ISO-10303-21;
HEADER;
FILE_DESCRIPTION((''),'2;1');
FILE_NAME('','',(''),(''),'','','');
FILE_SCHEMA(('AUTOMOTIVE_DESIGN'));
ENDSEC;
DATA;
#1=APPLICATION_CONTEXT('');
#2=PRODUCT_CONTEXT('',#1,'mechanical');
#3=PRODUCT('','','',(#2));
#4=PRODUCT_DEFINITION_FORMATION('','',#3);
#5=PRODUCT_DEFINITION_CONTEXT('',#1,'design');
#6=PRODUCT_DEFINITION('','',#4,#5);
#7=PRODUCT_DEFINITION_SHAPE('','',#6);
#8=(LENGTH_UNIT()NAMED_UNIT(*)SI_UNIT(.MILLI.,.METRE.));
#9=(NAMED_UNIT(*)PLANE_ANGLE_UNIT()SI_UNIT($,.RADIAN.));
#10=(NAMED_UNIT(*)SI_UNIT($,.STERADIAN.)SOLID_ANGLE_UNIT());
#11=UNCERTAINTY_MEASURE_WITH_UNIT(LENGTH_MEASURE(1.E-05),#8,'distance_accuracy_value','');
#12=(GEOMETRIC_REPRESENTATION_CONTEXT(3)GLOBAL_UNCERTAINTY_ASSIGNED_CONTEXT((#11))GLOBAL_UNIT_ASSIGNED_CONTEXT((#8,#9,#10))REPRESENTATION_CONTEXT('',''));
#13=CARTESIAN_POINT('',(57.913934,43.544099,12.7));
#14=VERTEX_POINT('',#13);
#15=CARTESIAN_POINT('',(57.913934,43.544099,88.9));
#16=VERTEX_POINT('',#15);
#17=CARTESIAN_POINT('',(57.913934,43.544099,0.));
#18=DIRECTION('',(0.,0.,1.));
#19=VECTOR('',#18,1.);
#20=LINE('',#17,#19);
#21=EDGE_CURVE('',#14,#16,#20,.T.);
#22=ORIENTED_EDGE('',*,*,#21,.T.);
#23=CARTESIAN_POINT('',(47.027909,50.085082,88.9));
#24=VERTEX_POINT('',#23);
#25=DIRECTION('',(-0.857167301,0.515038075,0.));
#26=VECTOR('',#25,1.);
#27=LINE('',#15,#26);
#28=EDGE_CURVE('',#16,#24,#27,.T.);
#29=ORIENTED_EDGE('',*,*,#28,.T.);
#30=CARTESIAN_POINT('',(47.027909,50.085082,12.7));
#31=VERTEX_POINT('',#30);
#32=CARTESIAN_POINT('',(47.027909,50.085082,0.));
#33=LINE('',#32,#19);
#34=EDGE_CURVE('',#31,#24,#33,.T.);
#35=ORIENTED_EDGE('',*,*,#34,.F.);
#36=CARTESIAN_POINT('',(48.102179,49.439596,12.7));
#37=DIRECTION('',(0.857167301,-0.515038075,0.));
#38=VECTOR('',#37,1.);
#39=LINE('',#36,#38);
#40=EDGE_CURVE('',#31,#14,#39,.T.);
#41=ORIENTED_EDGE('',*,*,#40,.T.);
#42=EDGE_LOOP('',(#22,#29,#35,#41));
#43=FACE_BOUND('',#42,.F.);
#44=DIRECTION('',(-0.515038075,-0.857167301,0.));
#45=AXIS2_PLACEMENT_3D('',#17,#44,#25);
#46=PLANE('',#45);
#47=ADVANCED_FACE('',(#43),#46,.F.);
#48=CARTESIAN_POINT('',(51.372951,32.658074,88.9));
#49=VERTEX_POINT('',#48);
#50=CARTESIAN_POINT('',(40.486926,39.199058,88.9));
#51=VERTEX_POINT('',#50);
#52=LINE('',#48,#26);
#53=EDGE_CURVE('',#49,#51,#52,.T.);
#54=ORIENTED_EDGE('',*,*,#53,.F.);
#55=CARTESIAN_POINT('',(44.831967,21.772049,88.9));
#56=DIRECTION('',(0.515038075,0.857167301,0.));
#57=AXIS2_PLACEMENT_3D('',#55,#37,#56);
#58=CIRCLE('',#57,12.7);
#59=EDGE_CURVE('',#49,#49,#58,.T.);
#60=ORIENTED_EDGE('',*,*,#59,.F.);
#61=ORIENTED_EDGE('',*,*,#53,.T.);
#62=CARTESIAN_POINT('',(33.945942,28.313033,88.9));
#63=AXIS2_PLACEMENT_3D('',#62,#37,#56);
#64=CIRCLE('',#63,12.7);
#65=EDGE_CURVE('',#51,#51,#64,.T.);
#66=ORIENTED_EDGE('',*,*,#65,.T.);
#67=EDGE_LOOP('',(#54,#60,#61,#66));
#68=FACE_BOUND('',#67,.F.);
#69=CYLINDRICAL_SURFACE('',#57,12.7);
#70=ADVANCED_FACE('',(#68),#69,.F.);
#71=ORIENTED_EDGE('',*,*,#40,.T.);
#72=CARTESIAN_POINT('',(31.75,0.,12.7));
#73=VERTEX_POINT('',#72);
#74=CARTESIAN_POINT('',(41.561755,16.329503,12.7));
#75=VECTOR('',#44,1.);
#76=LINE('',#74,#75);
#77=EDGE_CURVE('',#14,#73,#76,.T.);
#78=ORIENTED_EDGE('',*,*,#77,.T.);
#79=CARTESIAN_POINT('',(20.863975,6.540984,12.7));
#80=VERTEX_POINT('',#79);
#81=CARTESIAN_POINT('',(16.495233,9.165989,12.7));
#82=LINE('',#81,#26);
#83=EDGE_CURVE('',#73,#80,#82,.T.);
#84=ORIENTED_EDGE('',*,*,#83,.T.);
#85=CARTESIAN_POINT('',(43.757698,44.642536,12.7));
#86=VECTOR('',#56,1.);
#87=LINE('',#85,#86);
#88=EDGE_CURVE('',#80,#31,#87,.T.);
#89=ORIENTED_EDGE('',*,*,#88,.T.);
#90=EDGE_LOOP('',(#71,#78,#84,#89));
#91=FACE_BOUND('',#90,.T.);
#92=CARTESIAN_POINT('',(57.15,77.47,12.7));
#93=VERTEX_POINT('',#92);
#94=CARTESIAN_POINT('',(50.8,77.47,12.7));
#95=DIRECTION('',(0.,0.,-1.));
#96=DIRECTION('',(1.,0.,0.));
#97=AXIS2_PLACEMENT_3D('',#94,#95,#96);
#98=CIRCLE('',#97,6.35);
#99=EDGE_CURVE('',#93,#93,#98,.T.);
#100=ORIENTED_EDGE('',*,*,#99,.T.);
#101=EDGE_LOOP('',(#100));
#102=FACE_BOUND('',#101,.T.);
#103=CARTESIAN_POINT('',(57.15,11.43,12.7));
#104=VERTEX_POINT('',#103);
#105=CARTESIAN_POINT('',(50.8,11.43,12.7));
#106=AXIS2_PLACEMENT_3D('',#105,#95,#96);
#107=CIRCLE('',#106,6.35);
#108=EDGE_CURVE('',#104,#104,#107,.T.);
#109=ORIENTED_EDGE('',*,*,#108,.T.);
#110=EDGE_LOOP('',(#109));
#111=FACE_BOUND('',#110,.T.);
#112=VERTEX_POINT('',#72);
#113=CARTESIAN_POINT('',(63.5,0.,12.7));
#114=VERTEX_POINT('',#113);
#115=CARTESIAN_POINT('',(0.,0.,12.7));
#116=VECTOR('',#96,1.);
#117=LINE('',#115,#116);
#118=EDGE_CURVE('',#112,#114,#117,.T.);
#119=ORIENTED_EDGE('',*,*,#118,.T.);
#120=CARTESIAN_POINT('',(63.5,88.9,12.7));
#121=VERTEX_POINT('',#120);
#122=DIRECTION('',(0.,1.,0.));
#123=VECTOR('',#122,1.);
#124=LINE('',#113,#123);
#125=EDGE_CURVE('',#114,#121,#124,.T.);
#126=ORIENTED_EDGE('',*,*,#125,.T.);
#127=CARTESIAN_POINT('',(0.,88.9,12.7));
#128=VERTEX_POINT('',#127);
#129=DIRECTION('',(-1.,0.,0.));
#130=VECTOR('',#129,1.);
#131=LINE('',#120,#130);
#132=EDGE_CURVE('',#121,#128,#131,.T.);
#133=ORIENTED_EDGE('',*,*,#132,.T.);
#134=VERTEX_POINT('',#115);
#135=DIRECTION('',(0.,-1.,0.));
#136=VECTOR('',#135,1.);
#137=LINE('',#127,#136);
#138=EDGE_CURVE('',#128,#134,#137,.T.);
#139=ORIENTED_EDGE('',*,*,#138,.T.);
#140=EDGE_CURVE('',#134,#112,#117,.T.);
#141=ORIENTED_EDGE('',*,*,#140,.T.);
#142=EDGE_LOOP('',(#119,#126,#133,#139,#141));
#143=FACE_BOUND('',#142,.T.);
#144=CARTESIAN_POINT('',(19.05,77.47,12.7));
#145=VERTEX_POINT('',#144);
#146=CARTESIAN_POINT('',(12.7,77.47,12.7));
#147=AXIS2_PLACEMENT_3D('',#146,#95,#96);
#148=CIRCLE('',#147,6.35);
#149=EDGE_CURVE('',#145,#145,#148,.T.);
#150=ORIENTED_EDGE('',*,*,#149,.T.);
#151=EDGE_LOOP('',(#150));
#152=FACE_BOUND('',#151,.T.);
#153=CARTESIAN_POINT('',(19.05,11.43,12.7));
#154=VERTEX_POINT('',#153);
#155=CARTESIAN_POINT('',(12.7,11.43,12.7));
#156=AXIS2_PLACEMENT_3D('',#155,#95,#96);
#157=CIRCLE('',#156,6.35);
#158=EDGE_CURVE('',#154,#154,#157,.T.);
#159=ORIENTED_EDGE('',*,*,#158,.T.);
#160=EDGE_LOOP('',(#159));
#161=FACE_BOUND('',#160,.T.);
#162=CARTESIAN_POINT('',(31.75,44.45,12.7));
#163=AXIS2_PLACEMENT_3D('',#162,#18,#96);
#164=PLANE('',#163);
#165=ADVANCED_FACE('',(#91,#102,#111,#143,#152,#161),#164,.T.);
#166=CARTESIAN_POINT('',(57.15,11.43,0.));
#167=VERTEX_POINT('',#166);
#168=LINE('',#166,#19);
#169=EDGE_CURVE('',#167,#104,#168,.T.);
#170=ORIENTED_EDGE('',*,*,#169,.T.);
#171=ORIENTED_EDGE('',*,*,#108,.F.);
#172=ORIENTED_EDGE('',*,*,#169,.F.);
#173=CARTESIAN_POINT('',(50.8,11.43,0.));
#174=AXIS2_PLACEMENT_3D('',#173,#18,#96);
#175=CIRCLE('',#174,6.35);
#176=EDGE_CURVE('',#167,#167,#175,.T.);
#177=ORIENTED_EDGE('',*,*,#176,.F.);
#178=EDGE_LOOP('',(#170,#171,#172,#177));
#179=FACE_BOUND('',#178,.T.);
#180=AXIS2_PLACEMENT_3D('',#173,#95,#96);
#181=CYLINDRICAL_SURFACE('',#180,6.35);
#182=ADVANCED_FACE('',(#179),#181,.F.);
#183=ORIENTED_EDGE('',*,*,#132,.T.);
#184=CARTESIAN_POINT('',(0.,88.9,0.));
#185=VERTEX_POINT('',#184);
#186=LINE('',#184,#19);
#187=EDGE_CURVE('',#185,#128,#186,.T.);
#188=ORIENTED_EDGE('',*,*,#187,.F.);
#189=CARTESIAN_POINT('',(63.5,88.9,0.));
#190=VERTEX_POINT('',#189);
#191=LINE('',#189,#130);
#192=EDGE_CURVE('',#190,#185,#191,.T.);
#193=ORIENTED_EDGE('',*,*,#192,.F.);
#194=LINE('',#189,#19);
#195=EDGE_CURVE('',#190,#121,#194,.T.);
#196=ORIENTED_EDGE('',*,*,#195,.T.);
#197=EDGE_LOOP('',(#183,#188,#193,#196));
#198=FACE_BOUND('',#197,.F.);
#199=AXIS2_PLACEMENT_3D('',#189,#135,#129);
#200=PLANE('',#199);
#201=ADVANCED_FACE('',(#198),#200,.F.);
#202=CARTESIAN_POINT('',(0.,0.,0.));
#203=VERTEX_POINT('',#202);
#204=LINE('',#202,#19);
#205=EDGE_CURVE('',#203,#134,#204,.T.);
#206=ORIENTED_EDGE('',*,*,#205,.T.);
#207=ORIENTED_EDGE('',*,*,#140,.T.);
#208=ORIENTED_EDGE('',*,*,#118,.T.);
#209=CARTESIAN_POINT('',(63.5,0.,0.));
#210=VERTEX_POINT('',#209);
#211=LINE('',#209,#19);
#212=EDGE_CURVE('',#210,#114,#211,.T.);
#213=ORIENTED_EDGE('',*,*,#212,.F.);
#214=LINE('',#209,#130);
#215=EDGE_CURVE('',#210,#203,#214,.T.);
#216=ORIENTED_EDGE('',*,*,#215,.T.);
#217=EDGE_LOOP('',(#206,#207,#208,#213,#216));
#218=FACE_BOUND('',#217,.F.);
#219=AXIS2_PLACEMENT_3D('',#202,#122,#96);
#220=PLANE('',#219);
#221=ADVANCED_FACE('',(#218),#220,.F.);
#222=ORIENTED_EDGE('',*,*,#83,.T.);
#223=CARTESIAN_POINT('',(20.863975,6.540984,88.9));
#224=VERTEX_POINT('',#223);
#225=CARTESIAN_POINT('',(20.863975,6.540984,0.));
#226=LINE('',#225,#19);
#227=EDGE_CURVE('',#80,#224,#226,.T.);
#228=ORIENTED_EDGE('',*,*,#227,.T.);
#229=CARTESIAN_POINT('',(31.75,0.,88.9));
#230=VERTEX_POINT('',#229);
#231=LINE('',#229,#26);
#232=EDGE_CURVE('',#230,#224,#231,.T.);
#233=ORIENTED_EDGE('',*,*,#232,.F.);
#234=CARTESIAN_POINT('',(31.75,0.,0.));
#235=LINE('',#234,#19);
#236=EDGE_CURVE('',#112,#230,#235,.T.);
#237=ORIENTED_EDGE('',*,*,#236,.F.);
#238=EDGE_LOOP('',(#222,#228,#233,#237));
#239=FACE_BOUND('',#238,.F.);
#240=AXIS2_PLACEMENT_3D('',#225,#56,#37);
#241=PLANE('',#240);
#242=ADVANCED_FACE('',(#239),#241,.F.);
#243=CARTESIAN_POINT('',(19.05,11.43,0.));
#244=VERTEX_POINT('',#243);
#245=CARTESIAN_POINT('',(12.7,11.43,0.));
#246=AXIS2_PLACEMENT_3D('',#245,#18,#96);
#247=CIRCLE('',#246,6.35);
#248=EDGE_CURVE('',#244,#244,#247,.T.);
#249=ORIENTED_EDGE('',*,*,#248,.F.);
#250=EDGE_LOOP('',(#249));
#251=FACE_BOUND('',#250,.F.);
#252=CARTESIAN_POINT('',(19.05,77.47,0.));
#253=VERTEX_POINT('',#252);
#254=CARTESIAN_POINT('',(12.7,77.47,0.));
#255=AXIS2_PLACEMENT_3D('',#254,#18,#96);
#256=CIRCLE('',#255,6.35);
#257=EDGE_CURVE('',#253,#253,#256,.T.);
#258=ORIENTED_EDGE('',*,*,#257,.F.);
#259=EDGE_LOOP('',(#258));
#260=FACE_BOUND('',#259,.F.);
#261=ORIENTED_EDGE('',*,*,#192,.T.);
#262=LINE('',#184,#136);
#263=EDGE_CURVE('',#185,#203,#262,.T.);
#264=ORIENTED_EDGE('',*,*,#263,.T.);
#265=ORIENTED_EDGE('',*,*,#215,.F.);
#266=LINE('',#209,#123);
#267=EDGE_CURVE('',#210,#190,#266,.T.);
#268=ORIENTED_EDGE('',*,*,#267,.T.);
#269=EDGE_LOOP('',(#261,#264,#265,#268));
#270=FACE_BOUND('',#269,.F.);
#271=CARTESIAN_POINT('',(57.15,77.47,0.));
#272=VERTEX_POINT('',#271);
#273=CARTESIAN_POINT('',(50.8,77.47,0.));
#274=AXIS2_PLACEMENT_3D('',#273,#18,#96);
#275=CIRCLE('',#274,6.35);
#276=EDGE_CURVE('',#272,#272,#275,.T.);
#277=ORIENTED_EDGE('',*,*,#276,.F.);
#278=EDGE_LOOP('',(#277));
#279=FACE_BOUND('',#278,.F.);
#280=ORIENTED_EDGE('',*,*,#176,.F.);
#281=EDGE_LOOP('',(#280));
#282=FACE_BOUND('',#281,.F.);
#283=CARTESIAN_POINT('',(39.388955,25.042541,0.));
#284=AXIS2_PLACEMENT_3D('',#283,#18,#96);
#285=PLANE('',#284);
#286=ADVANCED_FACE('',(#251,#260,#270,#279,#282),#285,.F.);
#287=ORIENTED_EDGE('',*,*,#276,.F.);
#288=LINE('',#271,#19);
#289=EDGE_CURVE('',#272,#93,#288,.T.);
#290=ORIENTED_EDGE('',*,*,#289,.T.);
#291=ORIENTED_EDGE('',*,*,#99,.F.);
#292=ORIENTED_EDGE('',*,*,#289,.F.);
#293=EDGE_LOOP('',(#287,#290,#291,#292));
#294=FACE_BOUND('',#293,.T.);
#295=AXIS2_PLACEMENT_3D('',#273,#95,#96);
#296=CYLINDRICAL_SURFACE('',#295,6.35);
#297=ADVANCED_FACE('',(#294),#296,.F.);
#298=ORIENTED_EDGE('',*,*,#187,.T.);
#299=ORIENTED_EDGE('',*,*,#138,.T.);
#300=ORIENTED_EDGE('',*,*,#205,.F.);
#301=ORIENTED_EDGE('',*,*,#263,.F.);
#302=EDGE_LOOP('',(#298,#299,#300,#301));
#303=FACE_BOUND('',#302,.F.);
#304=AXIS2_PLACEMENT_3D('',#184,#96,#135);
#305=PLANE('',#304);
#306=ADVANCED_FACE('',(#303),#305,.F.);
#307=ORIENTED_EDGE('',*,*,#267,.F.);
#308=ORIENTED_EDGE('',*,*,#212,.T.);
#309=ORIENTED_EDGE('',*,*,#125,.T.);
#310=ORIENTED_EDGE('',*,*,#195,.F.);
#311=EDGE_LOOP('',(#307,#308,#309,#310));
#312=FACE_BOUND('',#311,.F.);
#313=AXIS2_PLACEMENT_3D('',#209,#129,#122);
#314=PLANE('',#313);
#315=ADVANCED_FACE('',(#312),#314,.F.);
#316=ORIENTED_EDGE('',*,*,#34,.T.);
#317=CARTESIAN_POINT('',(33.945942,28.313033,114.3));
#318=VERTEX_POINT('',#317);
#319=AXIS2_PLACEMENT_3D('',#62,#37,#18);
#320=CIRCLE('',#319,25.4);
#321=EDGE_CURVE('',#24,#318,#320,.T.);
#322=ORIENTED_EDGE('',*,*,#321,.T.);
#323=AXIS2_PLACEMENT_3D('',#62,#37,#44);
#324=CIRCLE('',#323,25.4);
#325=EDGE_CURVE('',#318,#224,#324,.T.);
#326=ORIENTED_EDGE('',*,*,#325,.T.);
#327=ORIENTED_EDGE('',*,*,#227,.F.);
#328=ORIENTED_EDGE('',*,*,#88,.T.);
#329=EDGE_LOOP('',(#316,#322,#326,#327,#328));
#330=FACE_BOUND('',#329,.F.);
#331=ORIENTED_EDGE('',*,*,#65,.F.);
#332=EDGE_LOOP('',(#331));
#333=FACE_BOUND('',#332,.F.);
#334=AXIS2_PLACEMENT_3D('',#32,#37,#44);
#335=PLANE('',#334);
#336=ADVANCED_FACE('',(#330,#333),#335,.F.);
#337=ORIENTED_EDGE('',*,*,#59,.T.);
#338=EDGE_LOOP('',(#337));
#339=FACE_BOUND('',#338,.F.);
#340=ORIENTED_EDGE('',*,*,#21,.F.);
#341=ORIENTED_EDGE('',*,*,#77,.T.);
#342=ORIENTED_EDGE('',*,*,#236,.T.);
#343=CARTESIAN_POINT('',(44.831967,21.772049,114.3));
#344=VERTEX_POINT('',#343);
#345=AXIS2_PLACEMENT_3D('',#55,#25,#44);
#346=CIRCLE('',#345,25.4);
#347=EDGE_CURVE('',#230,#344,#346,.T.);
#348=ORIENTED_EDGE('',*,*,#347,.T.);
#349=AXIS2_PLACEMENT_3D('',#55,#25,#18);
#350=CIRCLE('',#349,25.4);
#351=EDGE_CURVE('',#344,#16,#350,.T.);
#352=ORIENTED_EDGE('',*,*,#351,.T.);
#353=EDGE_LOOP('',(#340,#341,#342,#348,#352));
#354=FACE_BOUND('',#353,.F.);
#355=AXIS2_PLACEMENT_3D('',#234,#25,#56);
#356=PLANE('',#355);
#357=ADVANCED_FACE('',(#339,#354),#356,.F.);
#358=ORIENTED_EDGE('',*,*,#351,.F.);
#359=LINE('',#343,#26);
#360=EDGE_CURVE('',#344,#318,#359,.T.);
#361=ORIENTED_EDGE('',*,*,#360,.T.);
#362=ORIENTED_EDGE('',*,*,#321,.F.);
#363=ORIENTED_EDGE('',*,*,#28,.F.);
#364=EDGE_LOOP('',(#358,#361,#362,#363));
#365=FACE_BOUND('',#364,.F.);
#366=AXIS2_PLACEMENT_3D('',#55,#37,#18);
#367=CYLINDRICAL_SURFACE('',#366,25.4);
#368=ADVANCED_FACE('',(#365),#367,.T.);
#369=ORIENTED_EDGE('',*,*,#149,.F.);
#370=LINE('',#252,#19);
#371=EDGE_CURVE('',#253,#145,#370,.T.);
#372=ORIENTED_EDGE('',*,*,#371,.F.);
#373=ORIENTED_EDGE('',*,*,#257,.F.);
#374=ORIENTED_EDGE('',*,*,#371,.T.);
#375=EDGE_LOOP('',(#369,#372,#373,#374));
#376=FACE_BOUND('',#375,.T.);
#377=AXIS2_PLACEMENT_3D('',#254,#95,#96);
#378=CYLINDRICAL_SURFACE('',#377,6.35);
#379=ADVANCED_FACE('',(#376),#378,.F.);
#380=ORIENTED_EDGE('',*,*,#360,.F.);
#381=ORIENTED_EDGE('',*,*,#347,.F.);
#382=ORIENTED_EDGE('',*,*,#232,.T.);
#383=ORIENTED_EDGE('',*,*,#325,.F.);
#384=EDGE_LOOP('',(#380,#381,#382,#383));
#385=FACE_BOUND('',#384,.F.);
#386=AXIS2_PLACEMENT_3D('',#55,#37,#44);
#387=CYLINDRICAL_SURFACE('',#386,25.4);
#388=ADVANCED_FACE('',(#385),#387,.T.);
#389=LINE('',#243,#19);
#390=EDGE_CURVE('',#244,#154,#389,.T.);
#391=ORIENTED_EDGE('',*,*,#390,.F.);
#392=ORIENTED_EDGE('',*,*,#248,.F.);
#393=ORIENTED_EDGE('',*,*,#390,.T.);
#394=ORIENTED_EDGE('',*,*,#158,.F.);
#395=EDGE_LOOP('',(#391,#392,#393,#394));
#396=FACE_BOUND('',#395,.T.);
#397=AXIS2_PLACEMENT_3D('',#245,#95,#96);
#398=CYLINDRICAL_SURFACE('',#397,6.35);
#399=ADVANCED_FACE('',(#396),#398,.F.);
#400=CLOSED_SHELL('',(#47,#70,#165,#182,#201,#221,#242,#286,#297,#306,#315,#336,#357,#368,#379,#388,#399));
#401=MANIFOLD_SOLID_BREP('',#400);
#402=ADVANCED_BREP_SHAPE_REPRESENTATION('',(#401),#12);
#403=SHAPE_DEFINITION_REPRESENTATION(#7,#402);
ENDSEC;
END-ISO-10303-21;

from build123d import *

# Parameters (mm, degrees)
F0_R     = 6.35
F1_DEPTH = 12.7
F2_DEPTH = 114.3
F4_DEPTH = 73.0029466568
F3_R     = 12.7
F5_DEPTH = 73.0029466568
F6_DEPTH = 114.301


with BuildPart() as f1:
    # F0 (on Top) → F1 (new body)
    with BuildSketch(Plane.XY):
        Polygon((0, 88.9), (0, 0), (31.75, 0), (63.5, 0), (63.5, 88.9), align=None)
        with Locations((12.7, 11.43)):
            Circle(F0_R, mode=Mode.SUBTRACT)
        with Locations((50.8, 11.43)):
            Circle(F0_R, mode=Mode.SUBTRACT)
        Polygon((57.9139342054, 43.5440988757), (31.75, 0), (20.8639752811, 6.5409835514), (47.0279094865, 50.085082427), align=None, mode=Mode.SUBTRACT)
        with Locations((12.7, 77.47)):
            Circle(F0_R, mode=Mode.SUBTRACT)
        with Locations((50.8, 77.47)):
            Circle(F0_R, mode=Mode.SUBTRACT)
        with Locations((50.8, 77.47)):
            Circle(F0_R)
        with Locations((12.7, 77.47)):
            Circle(F0_R)
        Polygon((20.8639752811, 6.5409835514), (31.75, 0), (57.9139342054, 43.5440988757), (47.0279094865, 50.085082427), align=None)
        with Locations((50.8, 11.43)):
            Circle(F0_R)
        with Locations((12.7, 11.43)):
            Circle(F0_R)
    extrude(amount=F1_DEPTH)

    # F0 (on Top) → F2 (join)
    with BuildSketch(Plane.XY):
        Polygon((20.8639752811, 6.5409835514), (31.75, 0), (57.9139342054, 43.5440988757), (47.0279094865, 50.085082427), align=None)
    extrude(amount=F2_DEPTH)

    # F3 (on face) → F4 (cut, through all)
    with BuildSketch(Plane(origin=(23.3278610592, -14.0167930366, 0), x_dir=(0.5150380749, 0.8571673007, 0), z_dir=(0.8571673007, -0.5150380749, 0))):
        with BuildLine():
            Line((16.3524588784, 114.3), (16.3524588784, 88.9))
            ThreePointArc((16.3524588784, 88.9), (23.7919466363, 106.8605122421), (41.7524588784, 114.3))
            Line((41.7524588784, 114.3), (16.3524588784, 114.3))
        make_face()
        with BuildLine():
            Line((67.1524588784, 114.3), (41.7524588784, 114.3))
            ThreePointArc((41.7524588784, 114.3), (59.7129711205, 106.8605122421), (67.1524588784, 88.9))
            Line((67.1524588784, 88.9), (67.1524588784, 114.3))
        make_face()
    extrude(amount=-F4_DEPTH, mode=Mode.SUBTRACT)

    # F3 (on face) → F5 (cut, through all)
    with BuildSketch(Plane(origin=(23.3278610592, -14.0167930366, 0), x_dir=(0.5150380749, 0.8571673007, 0), z_dir=(0.8571673007, -0.5150380749, 0))):
        with Locations((41.7524588784, 88.9)):
            Circle(F3_R)
    extrude(amount=-F5_DEPTH, mode=Mode.SUBTRACT)

    # F0 (on Top) → F6 (cut, through all)
    with BuildSketch(Plane.XY):
        with Locations((50.8, 11.43)):
            Circle(F0_R)
        with Locations((50.8, 77.47)):
            Circle(F0_R)
        with Locations((12.7, 77.47)):
            Circle(F0_R)
        with Locations((12.7, 11.43)):
            Circle(F0_R)
    extrude(amount=F6_DEPTH, mode=Mode.SUBTRACT)


solid = f1.part
